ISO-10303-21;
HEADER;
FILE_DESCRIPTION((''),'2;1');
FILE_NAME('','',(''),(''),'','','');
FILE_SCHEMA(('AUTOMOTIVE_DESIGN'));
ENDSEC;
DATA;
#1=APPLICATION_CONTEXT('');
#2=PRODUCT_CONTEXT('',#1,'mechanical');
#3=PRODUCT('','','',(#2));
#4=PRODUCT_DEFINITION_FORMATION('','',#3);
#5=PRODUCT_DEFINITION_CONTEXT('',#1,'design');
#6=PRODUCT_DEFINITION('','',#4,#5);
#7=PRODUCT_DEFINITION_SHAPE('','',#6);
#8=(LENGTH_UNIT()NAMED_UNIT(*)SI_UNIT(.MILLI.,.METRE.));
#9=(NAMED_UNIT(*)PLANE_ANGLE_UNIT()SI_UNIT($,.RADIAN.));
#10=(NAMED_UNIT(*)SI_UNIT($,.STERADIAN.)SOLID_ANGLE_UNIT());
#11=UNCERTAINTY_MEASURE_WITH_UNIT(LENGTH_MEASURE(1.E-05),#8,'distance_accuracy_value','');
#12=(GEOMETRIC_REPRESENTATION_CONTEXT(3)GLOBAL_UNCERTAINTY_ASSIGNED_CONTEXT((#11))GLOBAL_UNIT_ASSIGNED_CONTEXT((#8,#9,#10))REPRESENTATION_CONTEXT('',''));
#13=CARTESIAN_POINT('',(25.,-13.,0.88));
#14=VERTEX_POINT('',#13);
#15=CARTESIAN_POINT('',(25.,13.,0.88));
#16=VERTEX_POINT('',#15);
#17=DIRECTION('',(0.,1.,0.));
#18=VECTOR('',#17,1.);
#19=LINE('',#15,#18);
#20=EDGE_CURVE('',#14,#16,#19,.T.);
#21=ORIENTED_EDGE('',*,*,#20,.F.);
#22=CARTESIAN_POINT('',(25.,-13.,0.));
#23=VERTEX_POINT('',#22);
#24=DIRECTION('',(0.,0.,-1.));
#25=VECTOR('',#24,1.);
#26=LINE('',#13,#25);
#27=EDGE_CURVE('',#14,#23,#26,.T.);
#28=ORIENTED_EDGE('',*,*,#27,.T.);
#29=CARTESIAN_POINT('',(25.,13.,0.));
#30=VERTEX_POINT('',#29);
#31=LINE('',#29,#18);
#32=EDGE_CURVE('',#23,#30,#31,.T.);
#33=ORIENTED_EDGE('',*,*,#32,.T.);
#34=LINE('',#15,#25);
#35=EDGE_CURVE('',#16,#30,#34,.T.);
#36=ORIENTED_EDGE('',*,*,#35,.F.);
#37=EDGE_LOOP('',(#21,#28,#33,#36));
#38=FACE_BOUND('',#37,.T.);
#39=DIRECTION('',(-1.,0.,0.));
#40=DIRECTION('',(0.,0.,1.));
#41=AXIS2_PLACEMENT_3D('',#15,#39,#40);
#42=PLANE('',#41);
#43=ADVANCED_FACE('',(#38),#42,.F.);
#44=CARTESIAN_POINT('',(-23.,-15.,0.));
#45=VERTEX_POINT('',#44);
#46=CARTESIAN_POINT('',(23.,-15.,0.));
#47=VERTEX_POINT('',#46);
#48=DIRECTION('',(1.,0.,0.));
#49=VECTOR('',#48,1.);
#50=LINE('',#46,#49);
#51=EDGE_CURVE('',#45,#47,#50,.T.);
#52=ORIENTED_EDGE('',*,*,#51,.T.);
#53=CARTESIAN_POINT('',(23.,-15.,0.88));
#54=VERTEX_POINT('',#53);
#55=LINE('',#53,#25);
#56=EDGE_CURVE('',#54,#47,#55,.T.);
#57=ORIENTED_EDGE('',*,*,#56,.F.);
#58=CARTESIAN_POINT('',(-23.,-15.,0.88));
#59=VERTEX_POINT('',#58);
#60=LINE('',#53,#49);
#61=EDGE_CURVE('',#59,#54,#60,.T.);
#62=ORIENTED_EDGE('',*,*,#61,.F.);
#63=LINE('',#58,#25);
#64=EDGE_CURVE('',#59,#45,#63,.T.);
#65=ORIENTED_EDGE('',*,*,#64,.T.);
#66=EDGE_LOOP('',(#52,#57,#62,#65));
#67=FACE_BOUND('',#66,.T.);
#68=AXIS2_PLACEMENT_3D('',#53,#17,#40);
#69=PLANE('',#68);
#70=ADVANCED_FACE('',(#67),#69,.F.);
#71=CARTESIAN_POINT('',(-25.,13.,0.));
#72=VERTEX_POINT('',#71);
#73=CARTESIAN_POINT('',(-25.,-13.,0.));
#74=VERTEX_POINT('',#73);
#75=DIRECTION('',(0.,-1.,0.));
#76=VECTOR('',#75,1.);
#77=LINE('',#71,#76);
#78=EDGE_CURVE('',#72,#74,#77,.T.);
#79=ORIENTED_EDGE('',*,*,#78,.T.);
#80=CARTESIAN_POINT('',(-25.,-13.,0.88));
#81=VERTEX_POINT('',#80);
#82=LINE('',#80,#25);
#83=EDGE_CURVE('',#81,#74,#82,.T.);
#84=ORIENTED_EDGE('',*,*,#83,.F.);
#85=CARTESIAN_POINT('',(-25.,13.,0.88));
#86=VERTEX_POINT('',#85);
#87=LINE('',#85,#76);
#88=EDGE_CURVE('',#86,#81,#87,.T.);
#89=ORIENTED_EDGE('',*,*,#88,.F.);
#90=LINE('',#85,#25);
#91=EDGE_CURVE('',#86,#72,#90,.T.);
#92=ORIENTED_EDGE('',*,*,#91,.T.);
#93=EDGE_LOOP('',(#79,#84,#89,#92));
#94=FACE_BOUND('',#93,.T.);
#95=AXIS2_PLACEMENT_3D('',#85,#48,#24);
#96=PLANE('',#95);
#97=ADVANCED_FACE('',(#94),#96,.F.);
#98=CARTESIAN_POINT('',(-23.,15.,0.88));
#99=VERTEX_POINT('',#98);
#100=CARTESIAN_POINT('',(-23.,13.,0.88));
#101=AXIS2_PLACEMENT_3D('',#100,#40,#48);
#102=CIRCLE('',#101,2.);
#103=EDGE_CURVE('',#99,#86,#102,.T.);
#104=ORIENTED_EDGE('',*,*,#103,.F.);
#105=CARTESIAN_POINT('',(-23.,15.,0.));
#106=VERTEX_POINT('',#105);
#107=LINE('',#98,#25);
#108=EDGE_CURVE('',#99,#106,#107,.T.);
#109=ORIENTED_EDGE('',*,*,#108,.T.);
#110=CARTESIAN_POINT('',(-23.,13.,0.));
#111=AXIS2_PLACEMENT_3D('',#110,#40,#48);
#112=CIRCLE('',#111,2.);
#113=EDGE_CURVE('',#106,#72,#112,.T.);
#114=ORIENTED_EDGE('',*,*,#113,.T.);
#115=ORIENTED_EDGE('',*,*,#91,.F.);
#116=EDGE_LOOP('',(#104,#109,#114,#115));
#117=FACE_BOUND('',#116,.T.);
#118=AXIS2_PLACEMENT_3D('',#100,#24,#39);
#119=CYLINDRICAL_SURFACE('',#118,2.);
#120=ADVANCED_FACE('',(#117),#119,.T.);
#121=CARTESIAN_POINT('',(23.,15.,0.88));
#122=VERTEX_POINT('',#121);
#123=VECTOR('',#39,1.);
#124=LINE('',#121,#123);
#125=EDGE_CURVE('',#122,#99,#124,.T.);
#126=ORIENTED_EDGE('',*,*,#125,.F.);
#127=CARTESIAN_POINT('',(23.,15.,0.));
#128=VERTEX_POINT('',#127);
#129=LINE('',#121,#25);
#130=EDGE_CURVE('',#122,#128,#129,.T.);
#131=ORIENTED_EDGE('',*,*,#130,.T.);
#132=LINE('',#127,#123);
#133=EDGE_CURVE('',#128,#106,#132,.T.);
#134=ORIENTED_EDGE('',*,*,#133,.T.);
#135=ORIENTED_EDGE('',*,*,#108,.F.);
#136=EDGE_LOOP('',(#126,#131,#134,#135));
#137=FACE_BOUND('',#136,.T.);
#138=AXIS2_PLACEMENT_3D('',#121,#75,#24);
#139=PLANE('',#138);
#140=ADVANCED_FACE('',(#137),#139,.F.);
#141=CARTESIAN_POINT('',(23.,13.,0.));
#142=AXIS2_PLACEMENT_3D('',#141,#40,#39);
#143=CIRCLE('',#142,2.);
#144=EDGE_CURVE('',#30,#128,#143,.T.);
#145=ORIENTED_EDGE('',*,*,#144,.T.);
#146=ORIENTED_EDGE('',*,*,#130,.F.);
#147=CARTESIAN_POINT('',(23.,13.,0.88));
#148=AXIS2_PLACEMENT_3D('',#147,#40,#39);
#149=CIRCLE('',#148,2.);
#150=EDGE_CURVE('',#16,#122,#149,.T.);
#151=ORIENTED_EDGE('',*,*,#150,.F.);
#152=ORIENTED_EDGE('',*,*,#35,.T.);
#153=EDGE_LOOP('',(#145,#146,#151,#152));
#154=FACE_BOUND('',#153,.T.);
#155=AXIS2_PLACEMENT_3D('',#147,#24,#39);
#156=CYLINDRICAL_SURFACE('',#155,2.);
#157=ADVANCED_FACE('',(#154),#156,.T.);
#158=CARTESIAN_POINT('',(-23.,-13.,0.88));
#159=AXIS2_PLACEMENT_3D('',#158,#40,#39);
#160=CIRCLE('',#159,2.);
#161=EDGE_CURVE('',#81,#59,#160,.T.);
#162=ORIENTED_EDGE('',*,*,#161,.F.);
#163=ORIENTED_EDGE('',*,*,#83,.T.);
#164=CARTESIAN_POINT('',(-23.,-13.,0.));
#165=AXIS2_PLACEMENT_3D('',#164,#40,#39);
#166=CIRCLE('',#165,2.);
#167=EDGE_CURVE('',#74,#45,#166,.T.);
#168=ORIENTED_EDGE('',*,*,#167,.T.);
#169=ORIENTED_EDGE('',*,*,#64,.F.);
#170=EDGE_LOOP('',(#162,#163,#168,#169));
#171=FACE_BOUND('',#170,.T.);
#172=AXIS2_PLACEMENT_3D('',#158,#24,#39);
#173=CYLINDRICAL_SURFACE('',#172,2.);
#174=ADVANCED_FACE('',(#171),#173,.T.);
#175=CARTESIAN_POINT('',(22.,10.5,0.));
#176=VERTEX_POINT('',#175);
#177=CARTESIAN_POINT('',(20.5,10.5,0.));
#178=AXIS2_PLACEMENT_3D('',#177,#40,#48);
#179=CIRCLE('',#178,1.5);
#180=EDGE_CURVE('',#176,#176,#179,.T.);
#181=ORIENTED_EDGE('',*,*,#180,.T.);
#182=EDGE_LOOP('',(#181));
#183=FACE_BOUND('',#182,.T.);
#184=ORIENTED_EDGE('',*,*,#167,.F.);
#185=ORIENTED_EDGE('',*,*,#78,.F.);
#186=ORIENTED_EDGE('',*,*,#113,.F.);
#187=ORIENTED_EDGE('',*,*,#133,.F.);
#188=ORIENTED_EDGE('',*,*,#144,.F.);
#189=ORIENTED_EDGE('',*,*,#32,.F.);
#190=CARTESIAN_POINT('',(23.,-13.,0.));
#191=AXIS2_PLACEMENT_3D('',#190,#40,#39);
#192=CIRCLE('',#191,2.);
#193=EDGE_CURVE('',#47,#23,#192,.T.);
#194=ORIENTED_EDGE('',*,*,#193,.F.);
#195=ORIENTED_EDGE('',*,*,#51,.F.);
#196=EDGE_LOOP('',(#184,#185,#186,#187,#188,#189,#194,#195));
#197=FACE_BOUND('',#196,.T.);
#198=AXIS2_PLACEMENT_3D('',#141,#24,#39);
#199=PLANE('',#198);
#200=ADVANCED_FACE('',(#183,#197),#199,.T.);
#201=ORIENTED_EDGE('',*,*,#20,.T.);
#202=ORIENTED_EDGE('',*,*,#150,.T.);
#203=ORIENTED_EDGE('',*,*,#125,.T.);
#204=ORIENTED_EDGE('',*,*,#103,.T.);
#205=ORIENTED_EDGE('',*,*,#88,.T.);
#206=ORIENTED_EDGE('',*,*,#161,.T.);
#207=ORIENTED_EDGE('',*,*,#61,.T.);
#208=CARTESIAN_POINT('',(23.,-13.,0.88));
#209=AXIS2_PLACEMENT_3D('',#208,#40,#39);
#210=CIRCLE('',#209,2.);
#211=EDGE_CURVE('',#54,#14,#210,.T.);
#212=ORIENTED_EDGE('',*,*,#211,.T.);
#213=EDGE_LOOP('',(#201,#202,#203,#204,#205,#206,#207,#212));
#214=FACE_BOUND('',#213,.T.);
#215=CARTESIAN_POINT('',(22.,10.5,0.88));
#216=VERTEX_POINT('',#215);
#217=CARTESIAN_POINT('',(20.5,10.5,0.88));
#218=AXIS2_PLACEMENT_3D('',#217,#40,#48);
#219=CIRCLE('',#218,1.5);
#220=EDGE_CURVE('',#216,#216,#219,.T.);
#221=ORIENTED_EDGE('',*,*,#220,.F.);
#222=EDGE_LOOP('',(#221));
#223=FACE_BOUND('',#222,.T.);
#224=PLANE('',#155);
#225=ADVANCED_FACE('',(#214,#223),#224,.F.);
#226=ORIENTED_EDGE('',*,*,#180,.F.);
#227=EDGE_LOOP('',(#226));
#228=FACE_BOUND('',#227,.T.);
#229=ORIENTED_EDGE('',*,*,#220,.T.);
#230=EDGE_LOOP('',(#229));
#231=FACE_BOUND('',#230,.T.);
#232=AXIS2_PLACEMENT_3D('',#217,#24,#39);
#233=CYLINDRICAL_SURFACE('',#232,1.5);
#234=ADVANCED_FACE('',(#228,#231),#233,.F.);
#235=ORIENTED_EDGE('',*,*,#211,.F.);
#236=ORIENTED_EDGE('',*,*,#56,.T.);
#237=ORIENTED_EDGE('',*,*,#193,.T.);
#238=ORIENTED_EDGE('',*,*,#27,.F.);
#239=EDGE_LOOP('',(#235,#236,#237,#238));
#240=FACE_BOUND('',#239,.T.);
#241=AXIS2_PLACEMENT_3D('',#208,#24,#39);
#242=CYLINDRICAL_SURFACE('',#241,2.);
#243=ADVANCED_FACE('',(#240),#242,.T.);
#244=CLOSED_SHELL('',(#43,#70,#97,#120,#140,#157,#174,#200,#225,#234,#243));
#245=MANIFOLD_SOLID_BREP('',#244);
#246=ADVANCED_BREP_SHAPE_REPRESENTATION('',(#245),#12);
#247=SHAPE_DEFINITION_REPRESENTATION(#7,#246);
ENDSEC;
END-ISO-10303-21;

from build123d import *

# Parameters (mm, degrees)
SKETCH1_R           = 1.5
BOSS_EXTRUDE1_DEPTH = 0.88


with BuildPart() as part:
    # Sketch1 → Boss-Extrude1 (new body)
    with BuildSketch(Plane.XY):
        with BuildLine():
            Line((23, 15), (-23, 15))
            ThreePointArc((-23, 15), (-24.414213562, 14.414213562), (-25, 13))
            Line((-25, 13), (-25, -13))
            ThreePointArc((-25, -13), (-24.414213562, -14.414213562), (-23, -15))
            Line((-23, -15), (23, -15))
            ThreePointArc((23, -15), (24.414213562, -14.414213562), (25, -13))
            Line((25, -13), (25, 13))
            ThreePointArc((25, 13), (24.414213562, 14.414213562), (23, 15))
        make_face()
        with Locations((20.5, 10.5)):
            Circle(SKETCH1_R, mode=Mode.SUBTRACT)
    extrude(amount=BOSS_EXTRUDE1_DEPTH)


solid = part.part
